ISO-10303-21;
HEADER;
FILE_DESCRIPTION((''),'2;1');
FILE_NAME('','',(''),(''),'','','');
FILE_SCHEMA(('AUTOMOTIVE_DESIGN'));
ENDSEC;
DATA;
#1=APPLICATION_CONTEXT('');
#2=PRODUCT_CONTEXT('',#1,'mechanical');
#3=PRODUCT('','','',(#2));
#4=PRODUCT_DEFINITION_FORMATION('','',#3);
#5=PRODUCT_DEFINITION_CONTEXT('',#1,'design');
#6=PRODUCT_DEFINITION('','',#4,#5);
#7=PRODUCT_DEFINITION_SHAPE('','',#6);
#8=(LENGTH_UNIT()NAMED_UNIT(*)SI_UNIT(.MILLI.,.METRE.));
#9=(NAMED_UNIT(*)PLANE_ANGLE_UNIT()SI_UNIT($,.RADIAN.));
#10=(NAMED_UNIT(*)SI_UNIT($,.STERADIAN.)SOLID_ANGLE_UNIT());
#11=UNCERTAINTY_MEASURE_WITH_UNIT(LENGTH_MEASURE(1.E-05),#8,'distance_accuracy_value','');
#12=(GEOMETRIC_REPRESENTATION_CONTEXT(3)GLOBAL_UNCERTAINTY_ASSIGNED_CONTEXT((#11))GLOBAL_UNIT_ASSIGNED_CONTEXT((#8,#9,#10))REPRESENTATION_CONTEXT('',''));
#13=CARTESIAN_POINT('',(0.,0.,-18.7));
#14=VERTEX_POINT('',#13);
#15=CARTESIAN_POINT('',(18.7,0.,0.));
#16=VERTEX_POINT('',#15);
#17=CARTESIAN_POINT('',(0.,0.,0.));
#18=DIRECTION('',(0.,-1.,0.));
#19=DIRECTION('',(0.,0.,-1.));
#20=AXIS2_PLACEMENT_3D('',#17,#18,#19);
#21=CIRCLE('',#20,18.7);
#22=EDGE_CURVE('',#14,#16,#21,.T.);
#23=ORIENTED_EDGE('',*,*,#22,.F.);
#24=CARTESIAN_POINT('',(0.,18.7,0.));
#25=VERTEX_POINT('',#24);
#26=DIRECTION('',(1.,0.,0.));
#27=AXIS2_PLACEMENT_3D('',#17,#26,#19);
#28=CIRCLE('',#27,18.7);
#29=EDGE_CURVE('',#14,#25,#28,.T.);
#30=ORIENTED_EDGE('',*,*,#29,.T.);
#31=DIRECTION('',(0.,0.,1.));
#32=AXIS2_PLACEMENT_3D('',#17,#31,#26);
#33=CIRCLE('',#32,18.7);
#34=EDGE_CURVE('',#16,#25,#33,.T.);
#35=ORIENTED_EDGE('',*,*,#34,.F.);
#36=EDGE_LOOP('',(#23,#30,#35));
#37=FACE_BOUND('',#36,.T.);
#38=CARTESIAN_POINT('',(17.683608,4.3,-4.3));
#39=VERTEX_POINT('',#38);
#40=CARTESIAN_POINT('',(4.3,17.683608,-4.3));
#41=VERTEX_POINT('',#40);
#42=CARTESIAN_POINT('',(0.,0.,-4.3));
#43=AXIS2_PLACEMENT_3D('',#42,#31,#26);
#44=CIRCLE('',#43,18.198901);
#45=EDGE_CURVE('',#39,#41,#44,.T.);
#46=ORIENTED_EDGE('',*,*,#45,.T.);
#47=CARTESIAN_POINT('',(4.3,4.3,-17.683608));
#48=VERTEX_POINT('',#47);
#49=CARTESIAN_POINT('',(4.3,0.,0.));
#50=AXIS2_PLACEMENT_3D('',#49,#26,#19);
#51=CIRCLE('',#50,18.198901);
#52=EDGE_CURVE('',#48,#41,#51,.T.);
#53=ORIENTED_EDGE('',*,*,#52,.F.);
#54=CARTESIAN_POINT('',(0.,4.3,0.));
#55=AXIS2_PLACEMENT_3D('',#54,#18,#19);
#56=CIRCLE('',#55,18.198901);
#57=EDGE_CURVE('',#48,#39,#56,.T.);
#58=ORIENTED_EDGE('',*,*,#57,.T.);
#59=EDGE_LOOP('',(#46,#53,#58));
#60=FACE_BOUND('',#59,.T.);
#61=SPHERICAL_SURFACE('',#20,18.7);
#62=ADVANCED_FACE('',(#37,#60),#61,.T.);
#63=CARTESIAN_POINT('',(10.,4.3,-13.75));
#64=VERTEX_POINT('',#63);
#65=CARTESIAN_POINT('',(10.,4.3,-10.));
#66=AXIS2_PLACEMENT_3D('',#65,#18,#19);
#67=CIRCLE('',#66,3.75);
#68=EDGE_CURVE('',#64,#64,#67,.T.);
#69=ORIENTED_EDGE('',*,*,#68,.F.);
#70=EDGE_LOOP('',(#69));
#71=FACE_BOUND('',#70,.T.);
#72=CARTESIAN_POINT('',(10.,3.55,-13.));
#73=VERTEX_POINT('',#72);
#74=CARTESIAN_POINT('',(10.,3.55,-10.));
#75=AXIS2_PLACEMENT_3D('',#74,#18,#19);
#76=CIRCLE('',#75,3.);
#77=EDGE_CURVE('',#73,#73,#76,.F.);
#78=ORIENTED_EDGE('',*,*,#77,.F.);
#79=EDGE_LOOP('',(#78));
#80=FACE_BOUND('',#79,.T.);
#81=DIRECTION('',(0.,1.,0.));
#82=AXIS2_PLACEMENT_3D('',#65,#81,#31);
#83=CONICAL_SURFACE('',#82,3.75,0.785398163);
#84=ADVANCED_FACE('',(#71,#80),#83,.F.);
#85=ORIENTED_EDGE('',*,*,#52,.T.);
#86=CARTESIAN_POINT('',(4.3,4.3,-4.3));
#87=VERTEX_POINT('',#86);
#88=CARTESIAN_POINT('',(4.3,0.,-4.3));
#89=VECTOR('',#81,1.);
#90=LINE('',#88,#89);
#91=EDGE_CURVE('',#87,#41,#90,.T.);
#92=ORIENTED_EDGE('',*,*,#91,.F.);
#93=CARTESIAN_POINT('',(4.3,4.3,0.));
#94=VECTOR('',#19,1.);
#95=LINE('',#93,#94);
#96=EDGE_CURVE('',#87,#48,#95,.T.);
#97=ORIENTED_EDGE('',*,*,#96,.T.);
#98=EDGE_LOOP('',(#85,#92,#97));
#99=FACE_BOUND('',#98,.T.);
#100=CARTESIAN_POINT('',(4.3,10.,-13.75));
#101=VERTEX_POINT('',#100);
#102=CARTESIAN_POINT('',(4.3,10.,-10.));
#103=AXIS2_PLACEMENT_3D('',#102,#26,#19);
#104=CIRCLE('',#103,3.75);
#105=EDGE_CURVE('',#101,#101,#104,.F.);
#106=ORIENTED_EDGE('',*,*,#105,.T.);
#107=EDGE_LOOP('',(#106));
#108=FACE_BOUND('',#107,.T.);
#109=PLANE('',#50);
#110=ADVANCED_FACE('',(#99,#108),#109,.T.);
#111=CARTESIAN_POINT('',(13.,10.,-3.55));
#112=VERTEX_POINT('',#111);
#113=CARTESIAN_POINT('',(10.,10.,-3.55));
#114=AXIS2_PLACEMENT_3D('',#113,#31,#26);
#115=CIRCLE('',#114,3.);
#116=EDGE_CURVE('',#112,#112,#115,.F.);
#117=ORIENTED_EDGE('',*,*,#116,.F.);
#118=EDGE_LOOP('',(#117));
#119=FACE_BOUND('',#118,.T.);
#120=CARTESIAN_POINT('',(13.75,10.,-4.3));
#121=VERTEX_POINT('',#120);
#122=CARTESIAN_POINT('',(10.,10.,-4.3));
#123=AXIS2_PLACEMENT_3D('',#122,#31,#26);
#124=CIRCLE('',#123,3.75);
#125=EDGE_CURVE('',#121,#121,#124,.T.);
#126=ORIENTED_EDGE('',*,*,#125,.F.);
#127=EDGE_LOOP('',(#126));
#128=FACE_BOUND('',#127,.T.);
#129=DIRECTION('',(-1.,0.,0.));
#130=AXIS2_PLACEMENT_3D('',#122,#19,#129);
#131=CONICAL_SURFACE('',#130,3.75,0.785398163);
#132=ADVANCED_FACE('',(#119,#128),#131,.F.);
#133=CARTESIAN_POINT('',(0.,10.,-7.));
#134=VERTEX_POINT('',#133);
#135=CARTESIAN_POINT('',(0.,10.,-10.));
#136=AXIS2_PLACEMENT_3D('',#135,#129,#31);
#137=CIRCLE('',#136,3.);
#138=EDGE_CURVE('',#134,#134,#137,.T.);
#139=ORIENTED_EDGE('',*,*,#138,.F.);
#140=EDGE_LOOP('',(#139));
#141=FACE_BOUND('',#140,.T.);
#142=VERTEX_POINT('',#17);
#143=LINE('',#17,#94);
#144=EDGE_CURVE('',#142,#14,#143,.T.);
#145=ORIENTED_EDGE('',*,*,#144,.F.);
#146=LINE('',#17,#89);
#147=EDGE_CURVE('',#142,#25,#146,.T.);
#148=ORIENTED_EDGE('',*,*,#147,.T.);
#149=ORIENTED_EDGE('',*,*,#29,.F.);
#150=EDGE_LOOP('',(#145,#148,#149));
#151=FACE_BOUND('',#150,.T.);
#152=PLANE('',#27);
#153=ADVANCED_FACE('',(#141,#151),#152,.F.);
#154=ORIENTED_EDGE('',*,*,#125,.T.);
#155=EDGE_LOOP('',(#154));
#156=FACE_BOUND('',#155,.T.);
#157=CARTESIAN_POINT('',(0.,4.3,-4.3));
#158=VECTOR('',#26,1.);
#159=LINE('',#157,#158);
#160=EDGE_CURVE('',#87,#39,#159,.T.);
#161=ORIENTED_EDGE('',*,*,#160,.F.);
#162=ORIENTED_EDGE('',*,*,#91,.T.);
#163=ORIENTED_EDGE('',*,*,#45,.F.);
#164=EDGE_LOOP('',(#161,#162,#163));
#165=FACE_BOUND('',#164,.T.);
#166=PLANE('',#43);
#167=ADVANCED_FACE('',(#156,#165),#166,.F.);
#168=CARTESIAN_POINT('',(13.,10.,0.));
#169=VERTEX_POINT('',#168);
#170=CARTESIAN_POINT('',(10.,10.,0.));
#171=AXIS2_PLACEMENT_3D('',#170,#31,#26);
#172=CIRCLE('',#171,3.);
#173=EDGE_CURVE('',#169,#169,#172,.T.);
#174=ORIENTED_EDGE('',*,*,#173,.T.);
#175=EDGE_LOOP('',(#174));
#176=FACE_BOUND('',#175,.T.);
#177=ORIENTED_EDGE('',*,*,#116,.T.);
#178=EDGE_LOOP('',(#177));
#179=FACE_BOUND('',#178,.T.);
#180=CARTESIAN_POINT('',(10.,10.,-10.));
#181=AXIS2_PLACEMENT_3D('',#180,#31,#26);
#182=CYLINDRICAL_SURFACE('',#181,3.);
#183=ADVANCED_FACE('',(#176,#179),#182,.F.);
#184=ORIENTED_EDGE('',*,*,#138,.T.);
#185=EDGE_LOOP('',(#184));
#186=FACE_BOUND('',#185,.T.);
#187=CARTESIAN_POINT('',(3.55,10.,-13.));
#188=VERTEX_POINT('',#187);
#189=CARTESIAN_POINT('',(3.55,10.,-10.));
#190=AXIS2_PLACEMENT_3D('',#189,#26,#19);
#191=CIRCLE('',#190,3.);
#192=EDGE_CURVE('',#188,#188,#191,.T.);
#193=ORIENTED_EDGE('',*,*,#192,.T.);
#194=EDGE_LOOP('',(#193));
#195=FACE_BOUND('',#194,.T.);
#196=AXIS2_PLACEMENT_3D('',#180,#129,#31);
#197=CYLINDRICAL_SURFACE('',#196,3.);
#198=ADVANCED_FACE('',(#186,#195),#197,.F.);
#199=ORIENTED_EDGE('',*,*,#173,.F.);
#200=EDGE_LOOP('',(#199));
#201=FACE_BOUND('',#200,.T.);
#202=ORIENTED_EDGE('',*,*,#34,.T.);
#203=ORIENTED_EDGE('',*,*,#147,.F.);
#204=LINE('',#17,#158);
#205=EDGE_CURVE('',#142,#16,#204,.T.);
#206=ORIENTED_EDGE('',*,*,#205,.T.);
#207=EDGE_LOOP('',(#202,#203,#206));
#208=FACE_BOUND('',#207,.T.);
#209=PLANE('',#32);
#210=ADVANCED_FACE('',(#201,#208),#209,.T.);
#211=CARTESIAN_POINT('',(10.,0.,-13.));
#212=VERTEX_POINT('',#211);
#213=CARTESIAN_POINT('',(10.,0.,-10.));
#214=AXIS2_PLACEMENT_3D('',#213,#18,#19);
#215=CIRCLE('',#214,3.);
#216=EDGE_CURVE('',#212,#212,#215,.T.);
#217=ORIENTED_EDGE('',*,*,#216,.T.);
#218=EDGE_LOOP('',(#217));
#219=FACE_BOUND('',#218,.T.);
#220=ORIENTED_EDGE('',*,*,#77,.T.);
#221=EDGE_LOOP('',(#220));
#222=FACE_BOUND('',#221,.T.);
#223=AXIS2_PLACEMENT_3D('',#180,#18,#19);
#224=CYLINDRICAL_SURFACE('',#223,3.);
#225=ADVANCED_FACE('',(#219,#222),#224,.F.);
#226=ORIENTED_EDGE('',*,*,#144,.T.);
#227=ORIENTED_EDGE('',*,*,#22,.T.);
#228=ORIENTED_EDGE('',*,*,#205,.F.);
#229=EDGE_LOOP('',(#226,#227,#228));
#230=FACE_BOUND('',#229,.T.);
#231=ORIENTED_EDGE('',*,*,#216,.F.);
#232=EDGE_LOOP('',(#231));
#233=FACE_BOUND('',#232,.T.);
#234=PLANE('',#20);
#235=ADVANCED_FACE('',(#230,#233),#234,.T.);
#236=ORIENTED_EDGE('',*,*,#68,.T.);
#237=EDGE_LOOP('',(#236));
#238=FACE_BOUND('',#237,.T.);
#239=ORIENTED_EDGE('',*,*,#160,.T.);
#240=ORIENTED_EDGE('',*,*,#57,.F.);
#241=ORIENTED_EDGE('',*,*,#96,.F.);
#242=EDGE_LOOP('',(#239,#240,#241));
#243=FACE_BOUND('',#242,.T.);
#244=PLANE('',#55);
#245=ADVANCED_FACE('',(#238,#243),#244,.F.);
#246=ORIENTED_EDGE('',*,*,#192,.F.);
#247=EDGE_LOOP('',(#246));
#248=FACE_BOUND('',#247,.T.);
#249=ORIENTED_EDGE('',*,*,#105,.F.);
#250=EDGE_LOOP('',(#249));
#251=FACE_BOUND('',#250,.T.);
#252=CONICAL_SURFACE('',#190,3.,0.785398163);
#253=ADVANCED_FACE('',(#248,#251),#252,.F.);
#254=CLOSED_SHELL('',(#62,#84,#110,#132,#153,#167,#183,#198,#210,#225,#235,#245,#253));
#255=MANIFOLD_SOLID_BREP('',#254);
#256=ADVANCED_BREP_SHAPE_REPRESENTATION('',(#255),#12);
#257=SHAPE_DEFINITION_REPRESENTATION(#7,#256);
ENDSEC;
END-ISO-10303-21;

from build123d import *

# Parameters (mm, degrees)
REVOLVE_1_ANGLE     = 90
SHELL_3_T           = -4.3
SKETCH_1_3_R        = 3
CUT_EXTRUDE_2_DEPTH = 10
SKETCH_3_R          = 3
CUT_EXTRUDE_3_DEPTH = 10
SKETCH_4_R          = 3
CUT_EXTRUDE_4_DEPTH = 10
CHAMFER_1_SIZE      = 0.75


with BuildPart() as part:
    # 草图1 → 旋转1 (revolve)
    with BuildSketch(Plane.XY):
        with BuildLine():
            Line((0, 18.7), (0, 0))
            Line((0, 0), (18.7, 0))
            ThreePointArc((18.7, 0), (13.222896808, 13.222896808), (0, 18.7))
        make_face()
    revolve(axis=Axis((0, 0, 0), (0, 1, 0)), revolution_arc=REVOLVE_1_ANGLE)

    # 抽壳3
    shell_3_openings = [part.faces().sort_by_distance(p)[0] for p in [
        (9.35, 13.222896808, -9.35),
    ]]
    offset(amount=SHELL_3_T, openings=shell_3_openings, kind=Kind.INTERSECTION)

    # 草图1<3> → 切除-拉伸2 (cut)
    with BuildSketch(Plane.XY):
        with Locations((10, 10)):
            Circle(SKETCH_1_3_R)
    extrude(amount=-CUT_EXTRUDE_2_DEPTH, mode=Mode.SUBTRACT)

    # 草图3 → 切除-拉伸3 (cut)
    with BuildSketch(Plane.XZ):
        with Locations((10, -10)):
            Circle(SKETCH_3_R)
    extrude(amount=-CUT_EXTRUDE_3_DEPTH, mode=Mode.SUBTRACT)

    # 草图4 → 切除-拉伸4 (cut)
    with BuildSketch(Plane.ZY):
        with Locations((-10, 10)):
            Circle(SKETCH_4_R)
    extrude(amount=-CUT_EXTRUDE_4_DEPTH, mode=Mode.SUBTRACT)

    # 倒角1
    chamfer_1_edges = [part.edges().sort_by_distance(p)[0] for p in [
        (7, 10, -4.3),
        (7, 4.3, -10),
        (4.3, 10, -13),
    ]]
    chamfer(chamfer_1_edges, length=CHAMFER_1_SIZE)


solid = part.part
